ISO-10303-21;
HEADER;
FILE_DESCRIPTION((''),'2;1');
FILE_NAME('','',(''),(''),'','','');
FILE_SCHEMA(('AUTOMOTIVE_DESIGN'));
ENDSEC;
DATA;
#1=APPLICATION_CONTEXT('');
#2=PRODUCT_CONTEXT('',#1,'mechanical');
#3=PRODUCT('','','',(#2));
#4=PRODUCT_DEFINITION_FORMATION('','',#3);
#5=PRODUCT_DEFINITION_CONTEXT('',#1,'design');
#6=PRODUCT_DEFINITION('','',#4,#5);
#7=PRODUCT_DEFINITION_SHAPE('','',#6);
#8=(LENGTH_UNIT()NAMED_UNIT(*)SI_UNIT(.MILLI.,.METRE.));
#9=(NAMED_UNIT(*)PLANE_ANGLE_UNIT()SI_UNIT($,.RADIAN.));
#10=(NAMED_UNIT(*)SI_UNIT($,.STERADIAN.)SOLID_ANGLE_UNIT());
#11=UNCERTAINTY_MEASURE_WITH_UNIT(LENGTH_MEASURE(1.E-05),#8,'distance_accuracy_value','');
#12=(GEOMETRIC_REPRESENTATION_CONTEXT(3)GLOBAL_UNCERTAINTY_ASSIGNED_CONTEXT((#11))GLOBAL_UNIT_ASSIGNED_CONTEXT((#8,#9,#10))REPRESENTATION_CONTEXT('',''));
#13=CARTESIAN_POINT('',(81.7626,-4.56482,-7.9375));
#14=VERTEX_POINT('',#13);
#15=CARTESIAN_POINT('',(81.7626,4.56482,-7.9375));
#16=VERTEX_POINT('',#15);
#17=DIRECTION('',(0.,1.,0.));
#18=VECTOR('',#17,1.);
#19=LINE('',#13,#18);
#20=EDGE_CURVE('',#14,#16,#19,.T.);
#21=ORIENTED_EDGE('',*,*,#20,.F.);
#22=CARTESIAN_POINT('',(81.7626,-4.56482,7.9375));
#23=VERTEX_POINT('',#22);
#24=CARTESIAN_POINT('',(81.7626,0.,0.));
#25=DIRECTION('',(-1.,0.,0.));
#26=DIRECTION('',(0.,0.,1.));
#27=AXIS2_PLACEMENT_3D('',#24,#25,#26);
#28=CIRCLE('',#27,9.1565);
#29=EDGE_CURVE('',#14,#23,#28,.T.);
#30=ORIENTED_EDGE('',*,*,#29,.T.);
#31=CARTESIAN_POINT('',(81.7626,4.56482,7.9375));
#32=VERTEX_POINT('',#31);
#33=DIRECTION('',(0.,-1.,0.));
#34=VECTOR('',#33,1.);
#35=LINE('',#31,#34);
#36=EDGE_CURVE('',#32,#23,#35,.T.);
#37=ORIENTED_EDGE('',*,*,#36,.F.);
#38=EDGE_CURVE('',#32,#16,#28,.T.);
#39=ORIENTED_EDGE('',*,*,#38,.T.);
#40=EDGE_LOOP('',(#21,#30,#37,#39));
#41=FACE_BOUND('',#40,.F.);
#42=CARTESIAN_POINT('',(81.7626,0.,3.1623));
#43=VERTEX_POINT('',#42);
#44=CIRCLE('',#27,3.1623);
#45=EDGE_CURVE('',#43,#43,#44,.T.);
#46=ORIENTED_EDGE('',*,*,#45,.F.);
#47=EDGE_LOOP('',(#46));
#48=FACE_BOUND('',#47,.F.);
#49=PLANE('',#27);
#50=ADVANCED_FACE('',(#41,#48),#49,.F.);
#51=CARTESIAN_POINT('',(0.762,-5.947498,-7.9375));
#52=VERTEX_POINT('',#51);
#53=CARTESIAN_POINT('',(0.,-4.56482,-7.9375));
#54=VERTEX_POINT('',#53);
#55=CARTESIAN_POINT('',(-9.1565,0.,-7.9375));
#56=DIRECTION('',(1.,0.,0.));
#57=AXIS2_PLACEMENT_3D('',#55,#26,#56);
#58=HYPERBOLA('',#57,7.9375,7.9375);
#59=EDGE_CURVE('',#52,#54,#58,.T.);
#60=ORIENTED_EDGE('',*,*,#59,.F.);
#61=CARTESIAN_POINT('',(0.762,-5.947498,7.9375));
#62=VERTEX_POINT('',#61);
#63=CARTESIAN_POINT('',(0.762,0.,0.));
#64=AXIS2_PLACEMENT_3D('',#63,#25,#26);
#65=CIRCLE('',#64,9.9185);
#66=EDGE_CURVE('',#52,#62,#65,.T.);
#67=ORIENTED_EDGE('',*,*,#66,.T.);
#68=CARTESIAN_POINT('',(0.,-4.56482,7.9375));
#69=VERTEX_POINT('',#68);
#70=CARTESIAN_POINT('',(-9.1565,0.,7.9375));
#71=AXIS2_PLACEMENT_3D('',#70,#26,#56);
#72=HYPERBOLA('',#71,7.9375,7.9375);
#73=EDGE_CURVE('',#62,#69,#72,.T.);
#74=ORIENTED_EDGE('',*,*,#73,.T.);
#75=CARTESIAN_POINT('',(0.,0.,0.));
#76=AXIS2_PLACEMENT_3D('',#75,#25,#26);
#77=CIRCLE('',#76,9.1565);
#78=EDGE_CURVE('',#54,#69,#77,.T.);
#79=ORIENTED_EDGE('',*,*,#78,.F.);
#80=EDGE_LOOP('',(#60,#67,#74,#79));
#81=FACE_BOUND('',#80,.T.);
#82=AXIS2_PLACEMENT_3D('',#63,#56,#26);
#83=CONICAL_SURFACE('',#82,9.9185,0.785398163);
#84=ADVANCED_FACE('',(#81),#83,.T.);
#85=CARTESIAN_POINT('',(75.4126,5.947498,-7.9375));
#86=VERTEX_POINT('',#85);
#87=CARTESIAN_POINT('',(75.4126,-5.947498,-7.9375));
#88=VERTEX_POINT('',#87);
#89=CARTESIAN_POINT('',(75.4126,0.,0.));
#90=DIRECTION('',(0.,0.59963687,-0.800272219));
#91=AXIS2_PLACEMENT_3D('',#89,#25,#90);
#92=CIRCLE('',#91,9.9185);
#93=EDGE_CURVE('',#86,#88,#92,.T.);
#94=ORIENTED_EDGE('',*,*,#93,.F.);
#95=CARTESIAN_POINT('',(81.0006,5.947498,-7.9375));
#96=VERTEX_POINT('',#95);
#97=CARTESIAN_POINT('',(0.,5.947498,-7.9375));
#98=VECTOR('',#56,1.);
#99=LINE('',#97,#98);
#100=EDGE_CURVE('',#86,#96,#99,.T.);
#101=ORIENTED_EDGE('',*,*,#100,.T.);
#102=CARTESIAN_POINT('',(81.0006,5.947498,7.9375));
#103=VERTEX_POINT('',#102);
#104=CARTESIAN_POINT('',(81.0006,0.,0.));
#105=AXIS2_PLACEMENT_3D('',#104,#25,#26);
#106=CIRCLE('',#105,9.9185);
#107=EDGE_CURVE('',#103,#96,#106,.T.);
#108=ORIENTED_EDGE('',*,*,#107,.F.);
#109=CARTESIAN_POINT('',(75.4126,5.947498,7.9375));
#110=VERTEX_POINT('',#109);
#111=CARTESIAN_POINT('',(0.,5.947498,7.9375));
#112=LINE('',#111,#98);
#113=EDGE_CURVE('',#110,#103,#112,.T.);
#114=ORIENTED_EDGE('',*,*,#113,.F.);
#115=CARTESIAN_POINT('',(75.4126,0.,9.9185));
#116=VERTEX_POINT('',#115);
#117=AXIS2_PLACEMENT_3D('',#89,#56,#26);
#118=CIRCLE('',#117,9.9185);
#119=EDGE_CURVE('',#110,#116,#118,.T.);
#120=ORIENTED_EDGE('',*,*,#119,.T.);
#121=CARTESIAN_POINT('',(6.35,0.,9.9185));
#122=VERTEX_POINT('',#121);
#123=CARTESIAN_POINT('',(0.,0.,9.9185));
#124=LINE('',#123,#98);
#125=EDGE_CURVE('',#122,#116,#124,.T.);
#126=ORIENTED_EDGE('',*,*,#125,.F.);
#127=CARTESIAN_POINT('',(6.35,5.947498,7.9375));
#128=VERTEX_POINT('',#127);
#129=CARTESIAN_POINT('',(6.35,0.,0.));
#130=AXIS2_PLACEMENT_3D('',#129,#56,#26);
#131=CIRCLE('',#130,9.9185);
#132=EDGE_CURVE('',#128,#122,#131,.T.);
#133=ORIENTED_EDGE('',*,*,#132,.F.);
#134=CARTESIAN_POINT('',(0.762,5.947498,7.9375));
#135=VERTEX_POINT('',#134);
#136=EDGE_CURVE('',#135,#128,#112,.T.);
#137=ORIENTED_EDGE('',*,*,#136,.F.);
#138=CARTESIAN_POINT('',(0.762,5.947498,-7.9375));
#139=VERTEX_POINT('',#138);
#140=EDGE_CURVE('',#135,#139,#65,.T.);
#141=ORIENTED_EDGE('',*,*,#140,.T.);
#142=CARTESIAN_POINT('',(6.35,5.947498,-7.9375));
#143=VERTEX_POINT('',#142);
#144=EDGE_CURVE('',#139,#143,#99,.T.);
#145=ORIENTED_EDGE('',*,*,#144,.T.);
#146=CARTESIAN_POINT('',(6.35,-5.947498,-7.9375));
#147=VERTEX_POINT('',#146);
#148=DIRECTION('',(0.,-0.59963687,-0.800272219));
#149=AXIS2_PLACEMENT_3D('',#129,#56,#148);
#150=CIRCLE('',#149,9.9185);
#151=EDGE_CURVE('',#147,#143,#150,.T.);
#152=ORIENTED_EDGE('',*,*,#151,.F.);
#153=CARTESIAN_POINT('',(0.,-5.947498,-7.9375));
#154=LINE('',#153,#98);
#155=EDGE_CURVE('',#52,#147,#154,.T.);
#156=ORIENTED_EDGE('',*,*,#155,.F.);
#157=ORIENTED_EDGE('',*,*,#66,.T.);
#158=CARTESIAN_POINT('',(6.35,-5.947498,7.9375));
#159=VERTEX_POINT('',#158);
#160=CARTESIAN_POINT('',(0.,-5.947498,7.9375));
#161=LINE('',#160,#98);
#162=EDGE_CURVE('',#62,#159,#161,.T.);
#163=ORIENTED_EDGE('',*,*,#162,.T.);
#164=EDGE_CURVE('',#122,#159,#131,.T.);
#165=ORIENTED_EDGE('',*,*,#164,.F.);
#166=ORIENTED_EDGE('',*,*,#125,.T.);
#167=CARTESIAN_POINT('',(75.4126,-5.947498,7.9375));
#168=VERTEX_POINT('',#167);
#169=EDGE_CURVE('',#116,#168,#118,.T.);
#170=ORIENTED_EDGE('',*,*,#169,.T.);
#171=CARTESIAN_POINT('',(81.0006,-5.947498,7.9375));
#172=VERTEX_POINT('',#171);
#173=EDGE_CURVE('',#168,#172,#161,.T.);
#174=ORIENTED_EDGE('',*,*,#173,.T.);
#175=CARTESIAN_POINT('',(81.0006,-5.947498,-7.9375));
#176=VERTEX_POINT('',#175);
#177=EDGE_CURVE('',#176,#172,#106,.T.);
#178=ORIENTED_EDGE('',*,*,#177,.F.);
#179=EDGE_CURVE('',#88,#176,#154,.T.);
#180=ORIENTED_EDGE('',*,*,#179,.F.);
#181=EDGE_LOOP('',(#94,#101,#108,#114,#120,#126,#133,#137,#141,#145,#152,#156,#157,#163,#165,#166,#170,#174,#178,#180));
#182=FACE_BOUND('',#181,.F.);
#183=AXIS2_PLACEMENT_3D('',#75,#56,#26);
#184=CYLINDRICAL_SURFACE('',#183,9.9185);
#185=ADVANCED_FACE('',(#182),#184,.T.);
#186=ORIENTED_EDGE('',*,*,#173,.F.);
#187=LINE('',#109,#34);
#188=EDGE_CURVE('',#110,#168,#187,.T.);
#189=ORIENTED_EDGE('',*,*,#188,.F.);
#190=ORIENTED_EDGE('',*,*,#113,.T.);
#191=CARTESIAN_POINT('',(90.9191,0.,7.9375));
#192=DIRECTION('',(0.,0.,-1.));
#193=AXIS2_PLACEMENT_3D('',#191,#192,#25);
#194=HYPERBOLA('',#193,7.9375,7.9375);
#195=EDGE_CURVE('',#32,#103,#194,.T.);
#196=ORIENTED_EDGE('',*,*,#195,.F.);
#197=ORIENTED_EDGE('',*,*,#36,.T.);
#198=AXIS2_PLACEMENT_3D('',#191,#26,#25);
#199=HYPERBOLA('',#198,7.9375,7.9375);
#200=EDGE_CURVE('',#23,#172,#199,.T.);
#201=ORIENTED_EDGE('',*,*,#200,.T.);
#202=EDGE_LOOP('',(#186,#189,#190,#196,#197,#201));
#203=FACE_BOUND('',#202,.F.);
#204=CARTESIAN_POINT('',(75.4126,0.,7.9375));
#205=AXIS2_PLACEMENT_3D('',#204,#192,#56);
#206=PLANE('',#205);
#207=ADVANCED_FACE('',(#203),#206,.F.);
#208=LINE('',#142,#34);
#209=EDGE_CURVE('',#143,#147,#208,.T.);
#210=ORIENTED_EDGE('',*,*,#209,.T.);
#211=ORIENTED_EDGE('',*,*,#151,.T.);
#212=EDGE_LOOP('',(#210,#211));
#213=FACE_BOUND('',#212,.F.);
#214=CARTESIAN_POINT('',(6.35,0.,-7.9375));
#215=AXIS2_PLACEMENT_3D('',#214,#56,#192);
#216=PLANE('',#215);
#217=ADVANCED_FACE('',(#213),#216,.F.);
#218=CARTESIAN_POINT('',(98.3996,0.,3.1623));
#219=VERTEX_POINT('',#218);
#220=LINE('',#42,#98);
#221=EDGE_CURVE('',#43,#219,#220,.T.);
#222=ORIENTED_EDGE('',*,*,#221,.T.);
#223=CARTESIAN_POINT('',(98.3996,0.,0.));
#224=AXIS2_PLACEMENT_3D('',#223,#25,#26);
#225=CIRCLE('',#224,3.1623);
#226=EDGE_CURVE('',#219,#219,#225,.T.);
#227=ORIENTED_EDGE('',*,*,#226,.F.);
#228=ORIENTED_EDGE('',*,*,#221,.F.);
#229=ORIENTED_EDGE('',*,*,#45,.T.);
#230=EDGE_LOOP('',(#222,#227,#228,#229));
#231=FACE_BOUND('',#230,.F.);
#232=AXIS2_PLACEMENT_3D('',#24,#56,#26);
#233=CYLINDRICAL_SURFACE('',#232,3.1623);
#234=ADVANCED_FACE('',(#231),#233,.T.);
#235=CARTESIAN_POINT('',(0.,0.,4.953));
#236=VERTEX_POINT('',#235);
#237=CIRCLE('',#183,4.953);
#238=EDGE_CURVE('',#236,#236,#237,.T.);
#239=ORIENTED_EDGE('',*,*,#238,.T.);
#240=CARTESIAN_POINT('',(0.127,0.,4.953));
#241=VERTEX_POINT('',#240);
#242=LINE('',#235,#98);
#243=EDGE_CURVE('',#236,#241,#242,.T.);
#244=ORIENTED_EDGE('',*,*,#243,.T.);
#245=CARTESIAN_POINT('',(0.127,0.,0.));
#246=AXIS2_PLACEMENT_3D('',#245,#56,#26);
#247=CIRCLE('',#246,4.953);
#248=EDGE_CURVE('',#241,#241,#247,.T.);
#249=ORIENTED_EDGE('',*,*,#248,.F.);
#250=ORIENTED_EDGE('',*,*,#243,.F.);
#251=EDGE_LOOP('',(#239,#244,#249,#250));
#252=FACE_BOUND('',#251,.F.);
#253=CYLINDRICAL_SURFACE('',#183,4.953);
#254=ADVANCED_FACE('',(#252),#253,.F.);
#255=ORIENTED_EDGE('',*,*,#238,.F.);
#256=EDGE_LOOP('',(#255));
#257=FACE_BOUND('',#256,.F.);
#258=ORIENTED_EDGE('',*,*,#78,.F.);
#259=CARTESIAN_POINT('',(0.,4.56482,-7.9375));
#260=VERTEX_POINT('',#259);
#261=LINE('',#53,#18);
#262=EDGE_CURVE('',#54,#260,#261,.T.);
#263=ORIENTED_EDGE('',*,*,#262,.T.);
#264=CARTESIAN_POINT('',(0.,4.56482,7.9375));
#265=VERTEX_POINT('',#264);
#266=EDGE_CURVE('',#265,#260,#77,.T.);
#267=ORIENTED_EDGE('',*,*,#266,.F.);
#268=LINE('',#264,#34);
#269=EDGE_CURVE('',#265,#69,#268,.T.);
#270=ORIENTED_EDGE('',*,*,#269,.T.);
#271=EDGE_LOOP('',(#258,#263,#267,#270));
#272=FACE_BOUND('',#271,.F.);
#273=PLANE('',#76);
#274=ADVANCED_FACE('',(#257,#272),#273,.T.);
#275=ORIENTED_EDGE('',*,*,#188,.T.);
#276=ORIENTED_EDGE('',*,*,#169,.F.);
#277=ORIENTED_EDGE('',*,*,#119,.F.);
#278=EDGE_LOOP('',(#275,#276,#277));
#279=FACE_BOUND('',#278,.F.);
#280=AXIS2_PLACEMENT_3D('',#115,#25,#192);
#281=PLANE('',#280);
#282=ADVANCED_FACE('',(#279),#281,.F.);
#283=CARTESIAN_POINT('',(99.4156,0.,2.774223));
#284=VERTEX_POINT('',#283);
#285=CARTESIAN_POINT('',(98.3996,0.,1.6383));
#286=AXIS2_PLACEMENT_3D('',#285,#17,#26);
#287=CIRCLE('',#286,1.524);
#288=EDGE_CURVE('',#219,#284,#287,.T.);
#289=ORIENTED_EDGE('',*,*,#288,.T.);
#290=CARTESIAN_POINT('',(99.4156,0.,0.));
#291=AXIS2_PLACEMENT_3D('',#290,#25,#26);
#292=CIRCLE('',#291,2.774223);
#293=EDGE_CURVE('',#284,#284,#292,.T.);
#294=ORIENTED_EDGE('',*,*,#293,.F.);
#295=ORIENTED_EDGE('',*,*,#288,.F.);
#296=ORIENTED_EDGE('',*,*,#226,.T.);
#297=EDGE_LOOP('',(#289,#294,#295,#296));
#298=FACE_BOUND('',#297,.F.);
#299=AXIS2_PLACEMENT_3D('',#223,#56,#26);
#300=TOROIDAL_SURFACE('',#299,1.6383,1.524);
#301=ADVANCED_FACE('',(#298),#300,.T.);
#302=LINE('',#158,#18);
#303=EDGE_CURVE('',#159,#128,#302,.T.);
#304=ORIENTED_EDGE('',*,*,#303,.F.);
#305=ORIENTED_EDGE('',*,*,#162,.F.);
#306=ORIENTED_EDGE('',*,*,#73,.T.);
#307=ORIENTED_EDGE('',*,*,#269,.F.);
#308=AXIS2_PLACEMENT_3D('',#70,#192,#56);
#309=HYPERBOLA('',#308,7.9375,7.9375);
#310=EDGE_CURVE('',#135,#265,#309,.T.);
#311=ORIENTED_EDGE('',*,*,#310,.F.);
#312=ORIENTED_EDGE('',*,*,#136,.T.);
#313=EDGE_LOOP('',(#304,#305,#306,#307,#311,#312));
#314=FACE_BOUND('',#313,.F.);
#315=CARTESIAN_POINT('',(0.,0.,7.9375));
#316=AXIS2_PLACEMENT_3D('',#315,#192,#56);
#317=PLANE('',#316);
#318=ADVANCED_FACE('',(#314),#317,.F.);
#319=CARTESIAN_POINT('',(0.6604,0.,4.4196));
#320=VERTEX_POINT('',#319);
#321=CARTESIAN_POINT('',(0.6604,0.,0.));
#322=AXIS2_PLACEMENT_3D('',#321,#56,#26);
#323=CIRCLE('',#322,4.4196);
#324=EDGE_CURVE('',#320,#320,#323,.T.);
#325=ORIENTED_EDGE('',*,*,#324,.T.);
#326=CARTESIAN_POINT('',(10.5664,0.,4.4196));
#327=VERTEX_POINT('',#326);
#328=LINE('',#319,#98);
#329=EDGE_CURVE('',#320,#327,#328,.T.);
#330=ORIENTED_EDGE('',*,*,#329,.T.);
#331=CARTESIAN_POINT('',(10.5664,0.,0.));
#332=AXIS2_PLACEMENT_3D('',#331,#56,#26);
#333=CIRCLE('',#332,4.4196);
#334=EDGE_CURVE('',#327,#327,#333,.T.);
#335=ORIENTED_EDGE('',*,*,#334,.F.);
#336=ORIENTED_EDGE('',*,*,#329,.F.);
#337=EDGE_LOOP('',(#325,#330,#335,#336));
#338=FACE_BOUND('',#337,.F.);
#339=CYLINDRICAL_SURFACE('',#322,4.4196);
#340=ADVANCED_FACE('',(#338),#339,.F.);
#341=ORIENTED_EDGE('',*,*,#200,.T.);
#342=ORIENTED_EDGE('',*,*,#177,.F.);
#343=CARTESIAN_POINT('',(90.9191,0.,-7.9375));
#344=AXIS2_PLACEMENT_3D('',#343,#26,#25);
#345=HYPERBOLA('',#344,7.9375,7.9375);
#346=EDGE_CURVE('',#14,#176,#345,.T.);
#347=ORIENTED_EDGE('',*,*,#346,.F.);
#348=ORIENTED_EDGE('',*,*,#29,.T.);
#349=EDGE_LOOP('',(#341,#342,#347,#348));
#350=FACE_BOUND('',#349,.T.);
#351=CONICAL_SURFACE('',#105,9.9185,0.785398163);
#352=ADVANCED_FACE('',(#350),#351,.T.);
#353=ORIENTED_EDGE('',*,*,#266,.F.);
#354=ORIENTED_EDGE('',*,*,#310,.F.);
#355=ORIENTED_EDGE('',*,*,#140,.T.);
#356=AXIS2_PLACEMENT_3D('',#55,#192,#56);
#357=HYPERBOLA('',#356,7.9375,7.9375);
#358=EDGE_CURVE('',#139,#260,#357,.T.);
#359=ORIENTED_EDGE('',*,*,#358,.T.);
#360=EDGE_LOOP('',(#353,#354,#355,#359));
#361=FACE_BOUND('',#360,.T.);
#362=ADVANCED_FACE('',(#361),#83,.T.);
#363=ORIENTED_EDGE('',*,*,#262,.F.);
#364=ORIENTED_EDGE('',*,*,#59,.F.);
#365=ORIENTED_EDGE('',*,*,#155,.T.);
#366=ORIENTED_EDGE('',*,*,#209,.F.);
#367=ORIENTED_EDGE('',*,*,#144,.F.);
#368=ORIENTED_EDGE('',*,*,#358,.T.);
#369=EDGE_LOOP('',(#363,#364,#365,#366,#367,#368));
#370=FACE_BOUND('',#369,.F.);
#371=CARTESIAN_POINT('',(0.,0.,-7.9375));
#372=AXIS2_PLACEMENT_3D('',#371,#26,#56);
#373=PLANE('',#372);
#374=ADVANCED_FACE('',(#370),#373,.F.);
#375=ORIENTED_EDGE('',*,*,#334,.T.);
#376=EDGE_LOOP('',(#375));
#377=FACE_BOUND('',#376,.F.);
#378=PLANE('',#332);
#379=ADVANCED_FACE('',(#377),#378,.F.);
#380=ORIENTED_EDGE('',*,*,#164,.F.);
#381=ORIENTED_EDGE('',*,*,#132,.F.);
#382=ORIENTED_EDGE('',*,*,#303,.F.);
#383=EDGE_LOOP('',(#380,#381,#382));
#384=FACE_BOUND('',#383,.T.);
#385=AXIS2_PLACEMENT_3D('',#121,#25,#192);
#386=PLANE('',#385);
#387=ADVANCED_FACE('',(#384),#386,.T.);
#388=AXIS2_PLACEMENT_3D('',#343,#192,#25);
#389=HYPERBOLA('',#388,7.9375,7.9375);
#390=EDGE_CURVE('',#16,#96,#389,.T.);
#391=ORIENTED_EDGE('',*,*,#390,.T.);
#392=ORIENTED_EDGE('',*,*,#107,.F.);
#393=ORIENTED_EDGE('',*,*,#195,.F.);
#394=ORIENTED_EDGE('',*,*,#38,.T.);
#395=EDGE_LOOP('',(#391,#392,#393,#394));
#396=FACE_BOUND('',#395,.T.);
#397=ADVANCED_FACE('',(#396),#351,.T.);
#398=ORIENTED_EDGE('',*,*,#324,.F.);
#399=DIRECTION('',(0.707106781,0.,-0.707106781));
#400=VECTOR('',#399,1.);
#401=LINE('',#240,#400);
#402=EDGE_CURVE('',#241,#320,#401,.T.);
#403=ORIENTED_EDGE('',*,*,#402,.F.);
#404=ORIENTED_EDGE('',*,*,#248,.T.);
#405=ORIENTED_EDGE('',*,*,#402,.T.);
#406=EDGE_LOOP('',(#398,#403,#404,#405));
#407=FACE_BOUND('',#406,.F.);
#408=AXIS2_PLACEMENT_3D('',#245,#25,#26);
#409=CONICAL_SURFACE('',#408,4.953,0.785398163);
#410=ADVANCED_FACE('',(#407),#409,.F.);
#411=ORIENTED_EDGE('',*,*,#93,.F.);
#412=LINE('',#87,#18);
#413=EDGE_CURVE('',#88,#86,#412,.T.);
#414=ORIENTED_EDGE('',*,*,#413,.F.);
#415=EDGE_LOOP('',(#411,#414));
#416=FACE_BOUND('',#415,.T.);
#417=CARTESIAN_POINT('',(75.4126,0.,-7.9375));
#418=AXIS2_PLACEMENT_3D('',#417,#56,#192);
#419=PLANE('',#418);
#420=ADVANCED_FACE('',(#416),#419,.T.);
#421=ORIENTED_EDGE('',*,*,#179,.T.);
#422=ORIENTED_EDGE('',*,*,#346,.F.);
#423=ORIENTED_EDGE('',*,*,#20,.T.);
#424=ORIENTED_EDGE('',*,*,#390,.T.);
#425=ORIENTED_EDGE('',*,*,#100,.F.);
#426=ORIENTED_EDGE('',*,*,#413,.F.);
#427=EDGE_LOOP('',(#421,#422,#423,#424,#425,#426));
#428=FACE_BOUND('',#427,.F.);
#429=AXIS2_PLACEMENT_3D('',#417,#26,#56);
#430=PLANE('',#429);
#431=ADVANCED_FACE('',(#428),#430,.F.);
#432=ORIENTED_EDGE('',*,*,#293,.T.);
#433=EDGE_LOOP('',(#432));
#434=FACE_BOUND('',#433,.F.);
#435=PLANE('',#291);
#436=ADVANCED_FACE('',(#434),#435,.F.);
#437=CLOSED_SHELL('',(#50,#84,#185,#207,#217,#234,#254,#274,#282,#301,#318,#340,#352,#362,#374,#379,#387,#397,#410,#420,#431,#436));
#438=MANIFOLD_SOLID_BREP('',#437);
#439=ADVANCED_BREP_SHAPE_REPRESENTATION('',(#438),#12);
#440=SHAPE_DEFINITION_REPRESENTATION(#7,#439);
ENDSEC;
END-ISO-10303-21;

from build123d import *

# Parameters (mm, degrees)
CHAMFER1_SIZE           = 0.762
SKETCH5_W               = 6.35
SKETCH5_H               = 1.981
CUT_EXTRUDE1_DEPTH      = 10.9185
CUT_EXTRUDE1_DEPTH_BACK = 10.9185
SKETCH6_W               = 6.35
SKETCH6_H               = 1.981
CUT_EXTRUDE2_DEPTH      = 10.9185
CUT_EXTRUDE2_DEPTH_BACK = 10.9185


with BuildPart() as part:
    # Sketch1 → Revolve1 (revolve)
    with BuildSketch(Plane(origin=(0, 0, 0), x_dir=(-1, 0, 0), z_dir=(0, 0, -1)), mode=Mode.PRIVATE) as revolve1_sk:
        with BuildLine():
            Line((-99.4156, 2.774222533), (-99.4156, 0))
            Line((-99.4156, 0), (0, 0))
            Line((0, 0), (0, 9.9185))
            Line((0, 9.9185), (-81.7626, 9.9185))
            Line((-81.7626, 9.9185), (-81.7626, 3.1623))
            Line((-81.7626, 3.1623), (-98.3996, 3.1623))
            ThreePointArc((-98.3996, 3.1623), (-98.943396865, 3.061978675), (-99.4156, 2.774222533))
        make_face()
    revolve(revolve1_sk.sketch.rotate(Axis((99.4156, 0, 0), (-1, 0, 0)), 270), axis=Axis((99.4156, 0, 0), (-1, 0, 0)))  # turned: the seam where the file's is

    # Sketch2 → Cut-Revolve1 (revolve, cut)
    with BuildSketch(Plane(origin=(0, 0, 0), x_dir=(-1, 0, 0), z_dir=(0, 0, -1)), mode=Mode.PRIVATE) as cut_revolve1_sk:
        Polygon((0, 0), (0, 4.953), (-0.127, 4.953), (-0.6604, 4.4196), (-10.5664, 4.4196), (-10.5664, 0), align=None)
    revolve(cut_revolve1_sk.sketch.rotate(Axis((0, 0, 0), (1, 0, 0)), 90), axis=Axis((0, 0, 0), (1, 0, 0)), mode=Mode.SUBTRACT)  # turned: the seam where the file's is

    # Chamfer1
    chamfer1_edges = [part.edges().sort_by_distance(p)[0] for p in [
        (81.7626, 0, -9.9185),
        (0, 0, -9.9185),
    ]]
    chamfer(chamfer1_edges, length=CHAMFER1_SIZE)

    # Sketch5 → Cut-Extrude1 (cut, two sides)
    with BuildSketch(Plane(origin=(0, 0, 0), x_dir=(1, 0, 0), z_dir=(0, 1, 0))) as cut_extrude1_sk:
        with Locations((3.175, 8.928)):
            Rectangle(SKETCH5_W, SKETCH5_H)
        with Locations((3.175, -8.928)):
            Rectangle(SKETCH5_W, SKETCH5_H)
    extrude(amount=CUT_EXTRUDE1_DEPTH, mode=Mode.SUBTRACT)
    extrude(cut_extrude1_sk.sketch, amount=-CUT_EXTRUDE1_DEPTH_BACK, mode=Mode.SUBTRACT)

    # Sketch6 → Cut-Extrude2 (cut, two sides)
    with BuildSketch(Plane(origin=(0, 0, 0), x_dir=(1, 0, 0), z_dir=(0, 1, 0))) as cut_extrude2_sk:
        with Locations((78.5876, 8.928)):
            Rectangle(SKETCH6_W, SKETCH6_H)
        with Locations((78.5876, -8.928)):
            Rectangle(SKETCH6_W, SKETCH6_H)
    extrude(amount=CUT_EXTRUDE2_DEPTH, mode=Mode.SUBTRACT)
    extrude(cut_extrude2_sk.sketch, amount=-CUT_EXTRUDE2_DEPTH_BACK, mode=Mode.SUBTRACT)


solid = part.part
